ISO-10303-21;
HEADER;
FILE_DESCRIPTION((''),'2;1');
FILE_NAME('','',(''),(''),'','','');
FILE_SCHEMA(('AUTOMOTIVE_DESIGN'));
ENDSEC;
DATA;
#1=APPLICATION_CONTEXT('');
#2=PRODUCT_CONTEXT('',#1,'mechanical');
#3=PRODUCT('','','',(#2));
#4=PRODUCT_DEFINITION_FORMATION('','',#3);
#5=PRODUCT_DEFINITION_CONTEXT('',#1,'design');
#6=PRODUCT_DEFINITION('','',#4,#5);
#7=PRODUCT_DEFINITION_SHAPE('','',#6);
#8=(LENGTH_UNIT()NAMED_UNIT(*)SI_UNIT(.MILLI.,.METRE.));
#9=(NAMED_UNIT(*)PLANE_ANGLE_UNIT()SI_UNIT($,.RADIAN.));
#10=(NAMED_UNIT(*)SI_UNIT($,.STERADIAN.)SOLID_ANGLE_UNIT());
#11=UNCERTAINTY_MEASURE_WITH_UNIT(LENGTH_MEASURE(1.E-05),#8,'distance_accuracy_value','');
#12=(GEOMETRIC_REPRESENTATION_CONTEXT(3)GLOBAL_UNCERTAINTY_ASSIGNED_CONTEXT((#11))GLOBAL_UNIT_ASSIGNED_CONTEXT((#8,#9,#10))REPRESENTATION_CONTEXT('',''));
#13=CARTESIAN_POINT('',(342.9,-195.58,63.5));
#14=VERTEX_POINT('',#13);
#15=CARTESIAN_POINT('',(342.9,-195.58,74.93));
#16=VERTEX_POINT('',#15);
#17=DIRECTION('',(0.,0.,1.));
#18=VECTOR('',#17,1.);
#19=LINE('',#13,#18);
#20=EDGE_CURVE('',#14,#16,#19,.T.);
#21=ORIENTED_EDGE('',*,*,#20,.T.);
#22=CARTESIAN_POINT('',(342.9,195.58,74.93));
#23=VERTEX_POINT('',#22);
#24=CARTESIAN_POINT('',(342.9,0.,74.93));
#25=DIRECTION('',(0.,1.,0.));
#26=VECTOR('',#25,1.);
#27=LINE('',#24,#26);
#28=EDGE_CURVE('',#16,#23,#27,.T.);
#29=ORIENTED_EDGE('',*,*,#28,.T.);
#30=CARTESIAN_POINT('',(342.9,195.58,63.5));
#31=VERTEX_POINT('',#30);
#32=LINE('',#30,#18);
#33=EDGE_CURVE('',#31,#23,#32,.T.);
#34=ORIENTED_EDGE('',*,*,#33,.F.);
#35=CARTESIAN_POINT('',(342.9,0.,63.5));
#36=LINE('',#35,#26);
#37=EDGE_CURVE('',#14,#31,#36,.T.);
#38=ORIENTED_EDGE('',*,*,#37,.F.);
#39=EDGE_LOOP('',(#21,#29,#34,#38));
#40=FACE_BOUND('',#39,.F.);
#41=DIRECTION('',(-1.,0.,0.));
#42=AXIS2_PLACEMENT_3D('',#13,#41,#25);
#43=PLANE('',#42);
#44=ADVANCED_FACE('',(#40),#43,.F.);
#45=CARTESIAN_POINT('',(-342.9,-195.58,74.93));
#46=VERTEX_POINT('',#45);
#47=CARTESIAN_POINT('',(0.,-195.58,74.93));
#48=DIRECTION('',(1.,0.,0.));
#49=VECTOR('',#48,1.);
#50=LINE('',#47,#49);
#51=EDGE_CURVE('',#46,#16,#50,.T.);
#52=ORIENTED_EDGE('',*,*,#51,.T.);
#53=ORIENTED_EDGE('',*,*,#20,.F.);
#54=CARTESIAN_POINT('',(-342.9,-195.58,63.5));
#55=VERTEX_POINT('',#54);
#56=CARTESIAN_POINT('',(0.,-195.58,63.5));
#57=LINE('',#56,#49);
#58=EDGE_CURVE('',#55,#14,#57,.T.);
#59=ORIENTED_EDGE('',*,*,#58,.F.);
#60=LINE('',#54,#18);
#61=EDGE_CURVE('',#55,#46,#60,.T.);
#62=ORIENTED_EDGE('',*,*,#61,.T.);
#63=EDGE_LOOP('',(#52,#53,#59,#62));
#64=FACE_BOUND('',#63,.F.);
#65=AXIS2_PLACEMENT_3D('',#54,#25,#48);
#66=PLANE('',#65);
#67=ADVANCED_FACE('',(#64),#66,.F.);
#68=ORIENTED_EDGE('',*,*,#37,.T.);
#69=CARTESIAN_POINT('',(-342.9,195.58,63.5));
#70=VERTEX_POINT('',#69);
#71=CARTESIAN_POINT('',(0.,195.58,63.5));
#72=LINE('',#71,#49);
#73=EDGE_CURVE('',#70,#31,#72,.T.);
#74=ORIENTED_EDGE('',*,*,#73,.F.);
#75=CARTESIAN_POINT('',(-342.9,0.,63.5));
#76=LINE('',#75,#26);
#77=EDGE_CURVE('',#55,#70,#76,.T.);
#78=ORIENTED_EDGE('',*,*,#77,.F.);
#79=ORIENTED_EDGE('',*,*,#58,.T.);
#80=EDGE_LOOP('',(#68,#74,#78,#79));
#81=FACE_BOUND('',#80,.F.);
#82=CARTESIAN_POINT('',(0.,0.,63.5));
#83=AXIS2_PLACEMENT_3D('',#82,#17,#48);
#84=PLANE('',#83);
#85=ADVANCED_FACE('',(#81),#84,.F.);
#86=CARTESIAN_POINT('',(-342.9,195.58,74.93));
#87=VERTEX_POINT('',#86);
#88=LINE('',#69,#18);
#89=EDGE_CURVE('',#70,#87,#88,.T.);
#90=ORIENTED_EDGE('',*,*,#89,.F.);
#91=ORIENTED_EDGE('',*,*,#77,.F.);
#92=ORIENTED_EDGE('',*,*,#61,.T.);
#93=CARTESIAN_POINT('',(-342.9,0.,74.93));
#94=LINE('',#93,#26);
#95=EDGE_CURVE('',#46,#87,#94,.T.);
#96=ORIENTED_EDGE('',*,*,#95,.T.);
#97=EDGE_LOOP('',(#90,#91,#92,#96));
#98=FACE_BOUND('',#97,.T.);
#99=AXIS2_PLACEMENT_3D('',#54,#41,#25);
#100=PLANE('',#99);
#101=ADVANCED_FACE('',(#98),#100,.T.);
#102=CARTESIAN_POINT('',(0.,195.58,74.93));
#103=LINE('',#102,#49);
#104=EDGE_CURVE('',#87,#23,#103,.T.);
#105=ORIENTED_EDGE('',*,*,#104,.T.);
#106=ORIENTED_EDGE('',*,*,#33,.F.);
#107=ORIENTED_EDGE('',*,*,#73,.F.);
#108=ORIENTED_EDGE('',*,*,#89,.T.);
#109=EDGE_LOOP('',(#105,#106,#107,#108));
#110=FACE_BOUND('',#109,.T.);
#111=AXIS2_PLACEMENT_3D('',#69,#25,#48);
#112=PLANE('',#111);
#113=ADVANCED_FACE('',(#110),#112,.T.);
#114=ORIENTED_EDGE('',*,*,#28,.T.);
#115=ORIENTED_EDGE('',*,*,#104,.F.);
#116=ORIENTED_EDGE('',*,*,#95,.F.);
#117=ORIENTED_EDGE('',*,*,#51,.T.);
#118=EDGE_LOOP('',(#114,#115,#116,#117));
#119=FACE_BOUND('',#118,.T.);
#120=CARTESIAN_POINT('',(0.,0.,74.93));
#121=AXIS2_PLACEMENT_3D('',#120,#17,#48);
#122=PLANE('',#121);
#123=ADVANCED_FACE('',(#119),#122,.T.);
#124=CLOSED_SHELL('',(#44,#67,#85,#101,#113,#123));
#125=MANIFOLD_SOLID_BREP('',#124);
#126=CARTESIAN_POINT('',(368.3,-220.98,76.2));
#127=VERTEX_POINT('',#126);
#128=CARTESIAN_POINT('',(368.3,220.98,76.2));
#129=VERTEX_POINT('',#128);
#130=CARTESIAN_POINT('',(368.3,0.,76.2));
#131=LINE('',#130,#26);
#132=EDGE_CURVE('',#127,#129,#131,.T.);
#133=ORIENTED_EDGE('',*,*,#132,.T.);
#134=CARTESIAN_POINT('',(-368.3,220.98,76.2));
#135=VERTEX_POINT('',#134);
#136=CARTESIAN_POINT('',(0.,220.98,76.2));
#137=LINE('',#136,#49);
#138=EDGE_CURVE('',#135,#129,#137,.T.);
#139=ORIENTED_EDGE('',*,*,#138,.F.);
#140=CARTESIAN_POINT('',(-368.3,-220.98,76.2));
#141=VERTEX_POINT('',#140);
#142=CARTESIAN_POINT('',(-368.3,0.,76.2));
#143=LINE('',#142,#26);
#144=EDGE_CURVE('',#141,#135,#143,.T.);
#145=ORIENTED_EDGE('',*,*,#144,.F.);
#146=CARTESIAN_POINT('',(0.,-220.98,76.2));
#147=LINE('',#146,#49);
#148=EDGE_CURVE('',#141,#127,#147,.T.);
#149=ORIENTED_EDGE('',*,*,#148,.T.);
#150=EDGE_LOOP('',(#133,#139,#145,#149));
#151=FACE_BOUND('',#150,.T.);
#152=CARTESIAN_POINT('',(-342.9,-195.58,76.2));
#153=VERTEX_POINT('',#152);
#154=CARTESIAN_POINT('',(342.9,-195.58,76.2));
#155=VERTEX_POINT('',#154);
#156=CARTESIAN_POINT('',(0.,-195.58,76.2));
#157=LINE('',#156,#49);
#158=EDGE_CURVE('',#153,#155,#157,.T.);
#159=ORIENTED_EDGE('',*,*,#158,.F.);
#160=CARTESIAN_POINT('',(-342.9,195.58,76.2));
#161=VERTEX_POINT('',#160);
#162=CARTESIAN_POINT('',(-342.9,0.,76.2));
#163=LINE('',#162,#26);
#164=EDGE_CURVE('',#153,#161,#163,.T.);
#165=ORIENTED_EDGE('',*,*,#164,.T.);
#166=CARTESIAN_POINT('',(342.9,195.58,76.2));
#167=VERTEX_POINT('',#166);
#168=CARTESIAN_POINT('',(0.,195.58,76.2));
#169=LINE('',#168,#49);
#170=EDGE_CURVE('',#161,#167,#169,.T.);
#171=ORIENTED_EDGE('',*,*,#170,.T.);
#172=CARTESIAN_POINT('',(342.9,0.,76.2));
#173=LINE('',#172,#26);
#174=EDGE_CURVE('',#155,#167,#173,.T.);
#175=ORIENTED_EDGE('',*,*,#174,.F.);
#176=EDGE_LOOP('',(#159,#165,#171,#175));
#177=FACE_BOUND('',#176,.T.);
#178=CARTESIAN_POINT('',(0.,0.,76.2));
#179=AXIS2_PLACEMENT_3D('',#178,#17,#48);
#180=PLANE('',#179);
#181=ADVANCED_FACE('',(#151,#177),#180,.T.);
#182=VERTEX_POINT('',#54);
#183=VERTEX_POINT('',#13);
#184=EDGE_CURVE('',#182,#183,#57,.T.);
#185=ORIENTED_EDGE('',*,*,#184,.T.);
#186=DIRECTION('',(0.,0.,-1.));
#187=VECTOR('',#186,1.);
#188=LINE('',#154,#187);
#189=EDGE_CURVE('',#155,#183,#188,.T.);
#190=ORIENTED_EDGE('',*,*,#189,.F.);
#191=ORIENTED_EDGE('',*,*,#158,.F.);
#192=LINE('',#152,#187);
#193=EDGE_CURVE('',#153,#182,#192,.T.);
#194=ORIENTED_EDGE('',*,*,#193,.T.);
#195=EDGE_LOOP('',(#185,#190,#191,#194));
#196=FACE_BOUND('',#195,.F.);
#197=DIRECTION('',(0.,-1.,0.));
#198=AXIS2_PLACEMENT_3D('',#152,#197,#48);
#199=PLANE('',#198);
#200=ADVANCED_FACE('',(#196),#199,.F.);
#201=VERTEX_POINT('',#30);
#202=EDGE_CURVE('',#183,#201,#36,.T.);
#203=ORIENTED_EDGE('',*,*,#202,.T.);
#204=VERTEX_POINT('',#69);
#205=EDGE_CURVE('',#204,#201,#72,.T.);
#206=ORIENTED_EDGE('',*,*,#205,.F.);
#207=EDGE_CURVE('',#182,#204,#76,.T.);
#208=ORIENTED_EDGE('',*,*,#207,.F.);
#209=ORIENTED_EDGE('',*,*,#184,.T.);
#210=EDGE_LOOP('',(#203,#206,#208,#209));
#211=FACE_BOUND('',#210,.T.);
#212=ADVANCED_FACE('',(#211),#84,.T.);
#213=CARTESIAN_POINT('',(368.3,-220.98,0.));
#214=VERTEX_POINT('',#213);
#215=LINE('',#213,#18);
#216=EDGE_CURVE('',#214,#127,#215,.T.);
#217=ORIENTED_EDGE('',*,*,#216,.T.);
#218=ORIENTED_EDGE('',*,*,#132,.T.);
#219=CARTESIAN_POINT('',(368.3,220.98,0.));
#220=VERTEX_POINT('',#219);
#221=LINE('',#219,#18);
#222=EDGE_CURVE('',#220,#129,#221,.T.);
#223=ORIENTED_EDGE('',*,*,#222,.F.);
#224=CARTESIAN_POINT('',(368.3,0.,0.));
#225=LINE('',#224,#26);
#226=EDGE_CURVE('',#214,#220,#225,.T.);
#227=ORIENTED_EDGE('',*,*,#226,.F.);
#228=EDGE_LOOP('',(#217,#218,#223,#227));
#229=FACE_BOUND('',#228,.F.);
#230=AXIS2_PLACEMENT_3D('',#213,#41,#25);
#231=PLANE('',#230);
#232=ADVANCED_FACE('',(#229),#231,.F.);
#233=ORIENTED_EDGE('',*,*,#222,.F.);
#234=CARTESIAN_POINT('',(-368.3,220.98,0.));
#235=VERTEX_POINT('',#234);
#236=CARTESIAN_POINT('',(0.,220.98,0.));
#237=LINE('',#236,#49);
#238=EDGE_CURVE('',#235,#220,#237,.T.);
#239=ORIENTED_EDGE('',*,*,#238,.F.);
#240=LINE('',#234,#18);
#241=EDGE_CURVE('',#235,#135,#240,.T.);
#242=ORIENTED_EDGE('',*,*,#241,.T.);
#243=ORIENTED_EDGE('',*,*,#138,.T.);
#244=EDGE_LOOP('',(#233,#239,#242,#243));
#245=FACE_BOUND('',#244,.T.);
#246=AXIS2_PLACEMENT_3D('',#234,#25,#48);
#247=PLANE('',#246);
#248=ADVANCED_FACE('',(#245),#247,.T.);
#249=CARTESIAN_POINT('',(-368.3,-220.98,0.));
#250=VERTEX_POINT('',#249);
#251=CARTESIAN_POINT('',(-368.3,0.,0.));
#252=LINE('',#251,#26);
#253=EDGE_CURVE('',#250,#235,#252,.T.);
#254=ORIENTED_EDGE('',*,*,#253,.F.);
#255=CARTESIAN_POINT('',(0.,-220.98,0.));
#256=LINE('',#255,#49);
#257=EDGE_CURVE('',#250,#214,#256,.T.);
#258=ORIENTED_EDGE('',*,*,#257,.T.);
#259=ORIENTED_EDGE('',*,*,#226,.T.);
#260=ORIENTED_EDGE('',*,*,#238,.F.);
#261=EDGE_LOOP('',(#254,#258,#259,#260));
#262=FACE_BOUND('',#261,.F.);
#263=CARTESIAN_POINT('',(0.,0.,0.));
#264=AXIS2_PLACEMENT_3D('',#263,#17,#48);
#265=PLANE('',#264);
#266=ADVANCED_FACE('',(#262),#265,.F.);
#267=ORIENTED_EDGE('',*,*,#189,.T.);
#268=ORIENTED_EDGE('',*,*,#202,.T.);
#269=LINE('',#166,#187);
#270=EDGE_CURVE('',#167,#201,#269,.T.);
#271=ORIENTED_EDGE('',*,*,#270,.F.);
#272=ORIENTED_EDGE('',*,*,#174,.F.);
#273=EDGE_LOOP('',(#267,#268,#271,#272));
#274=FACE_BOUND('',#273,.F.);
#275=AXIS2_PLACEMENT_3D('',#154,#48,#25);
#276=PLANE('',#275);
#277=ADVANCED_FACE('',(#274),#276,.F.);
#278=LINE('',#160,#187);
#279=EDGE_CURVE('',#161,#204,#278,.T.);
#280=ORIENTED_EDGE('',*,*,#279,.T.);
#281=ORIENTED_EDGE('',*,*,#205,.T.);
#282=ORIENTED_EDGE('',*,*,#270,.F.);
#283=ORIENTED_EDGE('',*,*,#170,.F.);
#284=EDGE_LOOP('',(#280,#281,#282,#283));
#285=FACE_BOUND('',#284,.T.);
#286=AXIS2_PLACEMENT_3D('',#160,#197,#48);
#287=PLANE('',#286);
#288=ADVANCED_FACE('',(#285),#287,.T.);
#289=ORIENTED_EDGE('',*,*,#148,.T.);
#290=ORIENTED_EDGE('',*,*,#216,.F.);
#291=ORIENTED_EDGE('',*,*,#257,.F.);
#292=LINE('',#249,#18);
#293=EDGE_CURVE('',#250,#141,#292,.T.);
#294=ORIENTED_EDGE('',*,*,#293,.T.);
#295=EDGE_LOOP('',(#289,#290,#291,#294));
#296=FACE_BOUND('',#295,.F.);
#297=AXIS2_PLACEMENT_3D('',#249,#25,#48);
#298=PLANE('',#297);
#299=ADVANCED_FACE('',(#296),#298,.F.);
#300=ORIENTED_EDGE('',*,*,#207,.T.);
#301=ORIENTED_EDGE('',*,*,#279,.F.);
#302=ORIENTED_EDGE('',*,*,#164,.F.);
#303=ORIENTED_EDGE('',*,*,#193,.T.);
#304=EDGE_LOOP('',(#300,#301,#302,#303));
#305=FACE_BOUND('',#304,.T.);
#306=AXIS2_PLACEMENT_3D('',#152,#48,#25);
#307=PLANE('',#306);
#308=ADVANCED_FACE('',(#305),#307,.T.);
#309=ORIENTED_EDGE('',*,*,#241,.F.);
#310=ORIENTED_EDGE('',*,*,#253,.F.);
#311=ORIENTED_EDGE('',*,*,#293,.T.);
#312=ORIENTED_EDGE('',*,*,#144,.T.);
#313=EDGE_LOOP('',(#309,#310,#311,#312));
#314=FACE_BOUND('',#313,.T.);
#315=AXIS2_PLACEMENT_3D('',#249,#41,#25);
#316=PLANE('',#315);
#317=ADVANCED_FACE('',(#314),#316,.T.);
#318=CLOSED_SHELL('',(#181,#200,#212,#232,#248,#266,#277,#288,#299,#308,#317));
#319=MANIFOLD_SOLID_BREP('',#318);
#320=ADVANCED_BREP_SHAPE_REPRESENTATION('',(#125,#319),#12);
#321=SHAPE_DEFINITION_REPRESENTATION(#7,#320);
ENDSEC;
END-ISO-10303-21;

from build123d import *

# Parameters (mm, degrees)
F1_W     = 736.6
F1_H     = 441.96
F2_DEPTH = 76.2
F3_W     = 685.8
F3_H     = 391.16
F4_DEPTH = 12.7
F5_W     = 685.8
F5_H     = 391.16
F6_DEPTH = 11.43


with BuildPart() as f2:
    # F1 (on Top) → F2 (new body)
    with BuildSketch(Plane.XY):
        Rectangle(F1_W, F1_H)
    extrude(amount=F2_DEPTH)

    # F3 (on face) → F4 (cut)
    with BuildSketch(Plane.XY.offset(76.2)):
        Rectangle(F3_W, F3_H)
    extrude(amount=-F4_DEPTH, mode=Mode.SUBTRACT)


with BuildPart() as f6:
    # F5 (on face) → F6 (new body)
    with BuildSketch(Plane.XY.offset(63.5)):
        Rectangle(F5_W, F5_H)
    extrude(amount=F6_DEPTH)


solid = Compound([f2.part, f6.part])
